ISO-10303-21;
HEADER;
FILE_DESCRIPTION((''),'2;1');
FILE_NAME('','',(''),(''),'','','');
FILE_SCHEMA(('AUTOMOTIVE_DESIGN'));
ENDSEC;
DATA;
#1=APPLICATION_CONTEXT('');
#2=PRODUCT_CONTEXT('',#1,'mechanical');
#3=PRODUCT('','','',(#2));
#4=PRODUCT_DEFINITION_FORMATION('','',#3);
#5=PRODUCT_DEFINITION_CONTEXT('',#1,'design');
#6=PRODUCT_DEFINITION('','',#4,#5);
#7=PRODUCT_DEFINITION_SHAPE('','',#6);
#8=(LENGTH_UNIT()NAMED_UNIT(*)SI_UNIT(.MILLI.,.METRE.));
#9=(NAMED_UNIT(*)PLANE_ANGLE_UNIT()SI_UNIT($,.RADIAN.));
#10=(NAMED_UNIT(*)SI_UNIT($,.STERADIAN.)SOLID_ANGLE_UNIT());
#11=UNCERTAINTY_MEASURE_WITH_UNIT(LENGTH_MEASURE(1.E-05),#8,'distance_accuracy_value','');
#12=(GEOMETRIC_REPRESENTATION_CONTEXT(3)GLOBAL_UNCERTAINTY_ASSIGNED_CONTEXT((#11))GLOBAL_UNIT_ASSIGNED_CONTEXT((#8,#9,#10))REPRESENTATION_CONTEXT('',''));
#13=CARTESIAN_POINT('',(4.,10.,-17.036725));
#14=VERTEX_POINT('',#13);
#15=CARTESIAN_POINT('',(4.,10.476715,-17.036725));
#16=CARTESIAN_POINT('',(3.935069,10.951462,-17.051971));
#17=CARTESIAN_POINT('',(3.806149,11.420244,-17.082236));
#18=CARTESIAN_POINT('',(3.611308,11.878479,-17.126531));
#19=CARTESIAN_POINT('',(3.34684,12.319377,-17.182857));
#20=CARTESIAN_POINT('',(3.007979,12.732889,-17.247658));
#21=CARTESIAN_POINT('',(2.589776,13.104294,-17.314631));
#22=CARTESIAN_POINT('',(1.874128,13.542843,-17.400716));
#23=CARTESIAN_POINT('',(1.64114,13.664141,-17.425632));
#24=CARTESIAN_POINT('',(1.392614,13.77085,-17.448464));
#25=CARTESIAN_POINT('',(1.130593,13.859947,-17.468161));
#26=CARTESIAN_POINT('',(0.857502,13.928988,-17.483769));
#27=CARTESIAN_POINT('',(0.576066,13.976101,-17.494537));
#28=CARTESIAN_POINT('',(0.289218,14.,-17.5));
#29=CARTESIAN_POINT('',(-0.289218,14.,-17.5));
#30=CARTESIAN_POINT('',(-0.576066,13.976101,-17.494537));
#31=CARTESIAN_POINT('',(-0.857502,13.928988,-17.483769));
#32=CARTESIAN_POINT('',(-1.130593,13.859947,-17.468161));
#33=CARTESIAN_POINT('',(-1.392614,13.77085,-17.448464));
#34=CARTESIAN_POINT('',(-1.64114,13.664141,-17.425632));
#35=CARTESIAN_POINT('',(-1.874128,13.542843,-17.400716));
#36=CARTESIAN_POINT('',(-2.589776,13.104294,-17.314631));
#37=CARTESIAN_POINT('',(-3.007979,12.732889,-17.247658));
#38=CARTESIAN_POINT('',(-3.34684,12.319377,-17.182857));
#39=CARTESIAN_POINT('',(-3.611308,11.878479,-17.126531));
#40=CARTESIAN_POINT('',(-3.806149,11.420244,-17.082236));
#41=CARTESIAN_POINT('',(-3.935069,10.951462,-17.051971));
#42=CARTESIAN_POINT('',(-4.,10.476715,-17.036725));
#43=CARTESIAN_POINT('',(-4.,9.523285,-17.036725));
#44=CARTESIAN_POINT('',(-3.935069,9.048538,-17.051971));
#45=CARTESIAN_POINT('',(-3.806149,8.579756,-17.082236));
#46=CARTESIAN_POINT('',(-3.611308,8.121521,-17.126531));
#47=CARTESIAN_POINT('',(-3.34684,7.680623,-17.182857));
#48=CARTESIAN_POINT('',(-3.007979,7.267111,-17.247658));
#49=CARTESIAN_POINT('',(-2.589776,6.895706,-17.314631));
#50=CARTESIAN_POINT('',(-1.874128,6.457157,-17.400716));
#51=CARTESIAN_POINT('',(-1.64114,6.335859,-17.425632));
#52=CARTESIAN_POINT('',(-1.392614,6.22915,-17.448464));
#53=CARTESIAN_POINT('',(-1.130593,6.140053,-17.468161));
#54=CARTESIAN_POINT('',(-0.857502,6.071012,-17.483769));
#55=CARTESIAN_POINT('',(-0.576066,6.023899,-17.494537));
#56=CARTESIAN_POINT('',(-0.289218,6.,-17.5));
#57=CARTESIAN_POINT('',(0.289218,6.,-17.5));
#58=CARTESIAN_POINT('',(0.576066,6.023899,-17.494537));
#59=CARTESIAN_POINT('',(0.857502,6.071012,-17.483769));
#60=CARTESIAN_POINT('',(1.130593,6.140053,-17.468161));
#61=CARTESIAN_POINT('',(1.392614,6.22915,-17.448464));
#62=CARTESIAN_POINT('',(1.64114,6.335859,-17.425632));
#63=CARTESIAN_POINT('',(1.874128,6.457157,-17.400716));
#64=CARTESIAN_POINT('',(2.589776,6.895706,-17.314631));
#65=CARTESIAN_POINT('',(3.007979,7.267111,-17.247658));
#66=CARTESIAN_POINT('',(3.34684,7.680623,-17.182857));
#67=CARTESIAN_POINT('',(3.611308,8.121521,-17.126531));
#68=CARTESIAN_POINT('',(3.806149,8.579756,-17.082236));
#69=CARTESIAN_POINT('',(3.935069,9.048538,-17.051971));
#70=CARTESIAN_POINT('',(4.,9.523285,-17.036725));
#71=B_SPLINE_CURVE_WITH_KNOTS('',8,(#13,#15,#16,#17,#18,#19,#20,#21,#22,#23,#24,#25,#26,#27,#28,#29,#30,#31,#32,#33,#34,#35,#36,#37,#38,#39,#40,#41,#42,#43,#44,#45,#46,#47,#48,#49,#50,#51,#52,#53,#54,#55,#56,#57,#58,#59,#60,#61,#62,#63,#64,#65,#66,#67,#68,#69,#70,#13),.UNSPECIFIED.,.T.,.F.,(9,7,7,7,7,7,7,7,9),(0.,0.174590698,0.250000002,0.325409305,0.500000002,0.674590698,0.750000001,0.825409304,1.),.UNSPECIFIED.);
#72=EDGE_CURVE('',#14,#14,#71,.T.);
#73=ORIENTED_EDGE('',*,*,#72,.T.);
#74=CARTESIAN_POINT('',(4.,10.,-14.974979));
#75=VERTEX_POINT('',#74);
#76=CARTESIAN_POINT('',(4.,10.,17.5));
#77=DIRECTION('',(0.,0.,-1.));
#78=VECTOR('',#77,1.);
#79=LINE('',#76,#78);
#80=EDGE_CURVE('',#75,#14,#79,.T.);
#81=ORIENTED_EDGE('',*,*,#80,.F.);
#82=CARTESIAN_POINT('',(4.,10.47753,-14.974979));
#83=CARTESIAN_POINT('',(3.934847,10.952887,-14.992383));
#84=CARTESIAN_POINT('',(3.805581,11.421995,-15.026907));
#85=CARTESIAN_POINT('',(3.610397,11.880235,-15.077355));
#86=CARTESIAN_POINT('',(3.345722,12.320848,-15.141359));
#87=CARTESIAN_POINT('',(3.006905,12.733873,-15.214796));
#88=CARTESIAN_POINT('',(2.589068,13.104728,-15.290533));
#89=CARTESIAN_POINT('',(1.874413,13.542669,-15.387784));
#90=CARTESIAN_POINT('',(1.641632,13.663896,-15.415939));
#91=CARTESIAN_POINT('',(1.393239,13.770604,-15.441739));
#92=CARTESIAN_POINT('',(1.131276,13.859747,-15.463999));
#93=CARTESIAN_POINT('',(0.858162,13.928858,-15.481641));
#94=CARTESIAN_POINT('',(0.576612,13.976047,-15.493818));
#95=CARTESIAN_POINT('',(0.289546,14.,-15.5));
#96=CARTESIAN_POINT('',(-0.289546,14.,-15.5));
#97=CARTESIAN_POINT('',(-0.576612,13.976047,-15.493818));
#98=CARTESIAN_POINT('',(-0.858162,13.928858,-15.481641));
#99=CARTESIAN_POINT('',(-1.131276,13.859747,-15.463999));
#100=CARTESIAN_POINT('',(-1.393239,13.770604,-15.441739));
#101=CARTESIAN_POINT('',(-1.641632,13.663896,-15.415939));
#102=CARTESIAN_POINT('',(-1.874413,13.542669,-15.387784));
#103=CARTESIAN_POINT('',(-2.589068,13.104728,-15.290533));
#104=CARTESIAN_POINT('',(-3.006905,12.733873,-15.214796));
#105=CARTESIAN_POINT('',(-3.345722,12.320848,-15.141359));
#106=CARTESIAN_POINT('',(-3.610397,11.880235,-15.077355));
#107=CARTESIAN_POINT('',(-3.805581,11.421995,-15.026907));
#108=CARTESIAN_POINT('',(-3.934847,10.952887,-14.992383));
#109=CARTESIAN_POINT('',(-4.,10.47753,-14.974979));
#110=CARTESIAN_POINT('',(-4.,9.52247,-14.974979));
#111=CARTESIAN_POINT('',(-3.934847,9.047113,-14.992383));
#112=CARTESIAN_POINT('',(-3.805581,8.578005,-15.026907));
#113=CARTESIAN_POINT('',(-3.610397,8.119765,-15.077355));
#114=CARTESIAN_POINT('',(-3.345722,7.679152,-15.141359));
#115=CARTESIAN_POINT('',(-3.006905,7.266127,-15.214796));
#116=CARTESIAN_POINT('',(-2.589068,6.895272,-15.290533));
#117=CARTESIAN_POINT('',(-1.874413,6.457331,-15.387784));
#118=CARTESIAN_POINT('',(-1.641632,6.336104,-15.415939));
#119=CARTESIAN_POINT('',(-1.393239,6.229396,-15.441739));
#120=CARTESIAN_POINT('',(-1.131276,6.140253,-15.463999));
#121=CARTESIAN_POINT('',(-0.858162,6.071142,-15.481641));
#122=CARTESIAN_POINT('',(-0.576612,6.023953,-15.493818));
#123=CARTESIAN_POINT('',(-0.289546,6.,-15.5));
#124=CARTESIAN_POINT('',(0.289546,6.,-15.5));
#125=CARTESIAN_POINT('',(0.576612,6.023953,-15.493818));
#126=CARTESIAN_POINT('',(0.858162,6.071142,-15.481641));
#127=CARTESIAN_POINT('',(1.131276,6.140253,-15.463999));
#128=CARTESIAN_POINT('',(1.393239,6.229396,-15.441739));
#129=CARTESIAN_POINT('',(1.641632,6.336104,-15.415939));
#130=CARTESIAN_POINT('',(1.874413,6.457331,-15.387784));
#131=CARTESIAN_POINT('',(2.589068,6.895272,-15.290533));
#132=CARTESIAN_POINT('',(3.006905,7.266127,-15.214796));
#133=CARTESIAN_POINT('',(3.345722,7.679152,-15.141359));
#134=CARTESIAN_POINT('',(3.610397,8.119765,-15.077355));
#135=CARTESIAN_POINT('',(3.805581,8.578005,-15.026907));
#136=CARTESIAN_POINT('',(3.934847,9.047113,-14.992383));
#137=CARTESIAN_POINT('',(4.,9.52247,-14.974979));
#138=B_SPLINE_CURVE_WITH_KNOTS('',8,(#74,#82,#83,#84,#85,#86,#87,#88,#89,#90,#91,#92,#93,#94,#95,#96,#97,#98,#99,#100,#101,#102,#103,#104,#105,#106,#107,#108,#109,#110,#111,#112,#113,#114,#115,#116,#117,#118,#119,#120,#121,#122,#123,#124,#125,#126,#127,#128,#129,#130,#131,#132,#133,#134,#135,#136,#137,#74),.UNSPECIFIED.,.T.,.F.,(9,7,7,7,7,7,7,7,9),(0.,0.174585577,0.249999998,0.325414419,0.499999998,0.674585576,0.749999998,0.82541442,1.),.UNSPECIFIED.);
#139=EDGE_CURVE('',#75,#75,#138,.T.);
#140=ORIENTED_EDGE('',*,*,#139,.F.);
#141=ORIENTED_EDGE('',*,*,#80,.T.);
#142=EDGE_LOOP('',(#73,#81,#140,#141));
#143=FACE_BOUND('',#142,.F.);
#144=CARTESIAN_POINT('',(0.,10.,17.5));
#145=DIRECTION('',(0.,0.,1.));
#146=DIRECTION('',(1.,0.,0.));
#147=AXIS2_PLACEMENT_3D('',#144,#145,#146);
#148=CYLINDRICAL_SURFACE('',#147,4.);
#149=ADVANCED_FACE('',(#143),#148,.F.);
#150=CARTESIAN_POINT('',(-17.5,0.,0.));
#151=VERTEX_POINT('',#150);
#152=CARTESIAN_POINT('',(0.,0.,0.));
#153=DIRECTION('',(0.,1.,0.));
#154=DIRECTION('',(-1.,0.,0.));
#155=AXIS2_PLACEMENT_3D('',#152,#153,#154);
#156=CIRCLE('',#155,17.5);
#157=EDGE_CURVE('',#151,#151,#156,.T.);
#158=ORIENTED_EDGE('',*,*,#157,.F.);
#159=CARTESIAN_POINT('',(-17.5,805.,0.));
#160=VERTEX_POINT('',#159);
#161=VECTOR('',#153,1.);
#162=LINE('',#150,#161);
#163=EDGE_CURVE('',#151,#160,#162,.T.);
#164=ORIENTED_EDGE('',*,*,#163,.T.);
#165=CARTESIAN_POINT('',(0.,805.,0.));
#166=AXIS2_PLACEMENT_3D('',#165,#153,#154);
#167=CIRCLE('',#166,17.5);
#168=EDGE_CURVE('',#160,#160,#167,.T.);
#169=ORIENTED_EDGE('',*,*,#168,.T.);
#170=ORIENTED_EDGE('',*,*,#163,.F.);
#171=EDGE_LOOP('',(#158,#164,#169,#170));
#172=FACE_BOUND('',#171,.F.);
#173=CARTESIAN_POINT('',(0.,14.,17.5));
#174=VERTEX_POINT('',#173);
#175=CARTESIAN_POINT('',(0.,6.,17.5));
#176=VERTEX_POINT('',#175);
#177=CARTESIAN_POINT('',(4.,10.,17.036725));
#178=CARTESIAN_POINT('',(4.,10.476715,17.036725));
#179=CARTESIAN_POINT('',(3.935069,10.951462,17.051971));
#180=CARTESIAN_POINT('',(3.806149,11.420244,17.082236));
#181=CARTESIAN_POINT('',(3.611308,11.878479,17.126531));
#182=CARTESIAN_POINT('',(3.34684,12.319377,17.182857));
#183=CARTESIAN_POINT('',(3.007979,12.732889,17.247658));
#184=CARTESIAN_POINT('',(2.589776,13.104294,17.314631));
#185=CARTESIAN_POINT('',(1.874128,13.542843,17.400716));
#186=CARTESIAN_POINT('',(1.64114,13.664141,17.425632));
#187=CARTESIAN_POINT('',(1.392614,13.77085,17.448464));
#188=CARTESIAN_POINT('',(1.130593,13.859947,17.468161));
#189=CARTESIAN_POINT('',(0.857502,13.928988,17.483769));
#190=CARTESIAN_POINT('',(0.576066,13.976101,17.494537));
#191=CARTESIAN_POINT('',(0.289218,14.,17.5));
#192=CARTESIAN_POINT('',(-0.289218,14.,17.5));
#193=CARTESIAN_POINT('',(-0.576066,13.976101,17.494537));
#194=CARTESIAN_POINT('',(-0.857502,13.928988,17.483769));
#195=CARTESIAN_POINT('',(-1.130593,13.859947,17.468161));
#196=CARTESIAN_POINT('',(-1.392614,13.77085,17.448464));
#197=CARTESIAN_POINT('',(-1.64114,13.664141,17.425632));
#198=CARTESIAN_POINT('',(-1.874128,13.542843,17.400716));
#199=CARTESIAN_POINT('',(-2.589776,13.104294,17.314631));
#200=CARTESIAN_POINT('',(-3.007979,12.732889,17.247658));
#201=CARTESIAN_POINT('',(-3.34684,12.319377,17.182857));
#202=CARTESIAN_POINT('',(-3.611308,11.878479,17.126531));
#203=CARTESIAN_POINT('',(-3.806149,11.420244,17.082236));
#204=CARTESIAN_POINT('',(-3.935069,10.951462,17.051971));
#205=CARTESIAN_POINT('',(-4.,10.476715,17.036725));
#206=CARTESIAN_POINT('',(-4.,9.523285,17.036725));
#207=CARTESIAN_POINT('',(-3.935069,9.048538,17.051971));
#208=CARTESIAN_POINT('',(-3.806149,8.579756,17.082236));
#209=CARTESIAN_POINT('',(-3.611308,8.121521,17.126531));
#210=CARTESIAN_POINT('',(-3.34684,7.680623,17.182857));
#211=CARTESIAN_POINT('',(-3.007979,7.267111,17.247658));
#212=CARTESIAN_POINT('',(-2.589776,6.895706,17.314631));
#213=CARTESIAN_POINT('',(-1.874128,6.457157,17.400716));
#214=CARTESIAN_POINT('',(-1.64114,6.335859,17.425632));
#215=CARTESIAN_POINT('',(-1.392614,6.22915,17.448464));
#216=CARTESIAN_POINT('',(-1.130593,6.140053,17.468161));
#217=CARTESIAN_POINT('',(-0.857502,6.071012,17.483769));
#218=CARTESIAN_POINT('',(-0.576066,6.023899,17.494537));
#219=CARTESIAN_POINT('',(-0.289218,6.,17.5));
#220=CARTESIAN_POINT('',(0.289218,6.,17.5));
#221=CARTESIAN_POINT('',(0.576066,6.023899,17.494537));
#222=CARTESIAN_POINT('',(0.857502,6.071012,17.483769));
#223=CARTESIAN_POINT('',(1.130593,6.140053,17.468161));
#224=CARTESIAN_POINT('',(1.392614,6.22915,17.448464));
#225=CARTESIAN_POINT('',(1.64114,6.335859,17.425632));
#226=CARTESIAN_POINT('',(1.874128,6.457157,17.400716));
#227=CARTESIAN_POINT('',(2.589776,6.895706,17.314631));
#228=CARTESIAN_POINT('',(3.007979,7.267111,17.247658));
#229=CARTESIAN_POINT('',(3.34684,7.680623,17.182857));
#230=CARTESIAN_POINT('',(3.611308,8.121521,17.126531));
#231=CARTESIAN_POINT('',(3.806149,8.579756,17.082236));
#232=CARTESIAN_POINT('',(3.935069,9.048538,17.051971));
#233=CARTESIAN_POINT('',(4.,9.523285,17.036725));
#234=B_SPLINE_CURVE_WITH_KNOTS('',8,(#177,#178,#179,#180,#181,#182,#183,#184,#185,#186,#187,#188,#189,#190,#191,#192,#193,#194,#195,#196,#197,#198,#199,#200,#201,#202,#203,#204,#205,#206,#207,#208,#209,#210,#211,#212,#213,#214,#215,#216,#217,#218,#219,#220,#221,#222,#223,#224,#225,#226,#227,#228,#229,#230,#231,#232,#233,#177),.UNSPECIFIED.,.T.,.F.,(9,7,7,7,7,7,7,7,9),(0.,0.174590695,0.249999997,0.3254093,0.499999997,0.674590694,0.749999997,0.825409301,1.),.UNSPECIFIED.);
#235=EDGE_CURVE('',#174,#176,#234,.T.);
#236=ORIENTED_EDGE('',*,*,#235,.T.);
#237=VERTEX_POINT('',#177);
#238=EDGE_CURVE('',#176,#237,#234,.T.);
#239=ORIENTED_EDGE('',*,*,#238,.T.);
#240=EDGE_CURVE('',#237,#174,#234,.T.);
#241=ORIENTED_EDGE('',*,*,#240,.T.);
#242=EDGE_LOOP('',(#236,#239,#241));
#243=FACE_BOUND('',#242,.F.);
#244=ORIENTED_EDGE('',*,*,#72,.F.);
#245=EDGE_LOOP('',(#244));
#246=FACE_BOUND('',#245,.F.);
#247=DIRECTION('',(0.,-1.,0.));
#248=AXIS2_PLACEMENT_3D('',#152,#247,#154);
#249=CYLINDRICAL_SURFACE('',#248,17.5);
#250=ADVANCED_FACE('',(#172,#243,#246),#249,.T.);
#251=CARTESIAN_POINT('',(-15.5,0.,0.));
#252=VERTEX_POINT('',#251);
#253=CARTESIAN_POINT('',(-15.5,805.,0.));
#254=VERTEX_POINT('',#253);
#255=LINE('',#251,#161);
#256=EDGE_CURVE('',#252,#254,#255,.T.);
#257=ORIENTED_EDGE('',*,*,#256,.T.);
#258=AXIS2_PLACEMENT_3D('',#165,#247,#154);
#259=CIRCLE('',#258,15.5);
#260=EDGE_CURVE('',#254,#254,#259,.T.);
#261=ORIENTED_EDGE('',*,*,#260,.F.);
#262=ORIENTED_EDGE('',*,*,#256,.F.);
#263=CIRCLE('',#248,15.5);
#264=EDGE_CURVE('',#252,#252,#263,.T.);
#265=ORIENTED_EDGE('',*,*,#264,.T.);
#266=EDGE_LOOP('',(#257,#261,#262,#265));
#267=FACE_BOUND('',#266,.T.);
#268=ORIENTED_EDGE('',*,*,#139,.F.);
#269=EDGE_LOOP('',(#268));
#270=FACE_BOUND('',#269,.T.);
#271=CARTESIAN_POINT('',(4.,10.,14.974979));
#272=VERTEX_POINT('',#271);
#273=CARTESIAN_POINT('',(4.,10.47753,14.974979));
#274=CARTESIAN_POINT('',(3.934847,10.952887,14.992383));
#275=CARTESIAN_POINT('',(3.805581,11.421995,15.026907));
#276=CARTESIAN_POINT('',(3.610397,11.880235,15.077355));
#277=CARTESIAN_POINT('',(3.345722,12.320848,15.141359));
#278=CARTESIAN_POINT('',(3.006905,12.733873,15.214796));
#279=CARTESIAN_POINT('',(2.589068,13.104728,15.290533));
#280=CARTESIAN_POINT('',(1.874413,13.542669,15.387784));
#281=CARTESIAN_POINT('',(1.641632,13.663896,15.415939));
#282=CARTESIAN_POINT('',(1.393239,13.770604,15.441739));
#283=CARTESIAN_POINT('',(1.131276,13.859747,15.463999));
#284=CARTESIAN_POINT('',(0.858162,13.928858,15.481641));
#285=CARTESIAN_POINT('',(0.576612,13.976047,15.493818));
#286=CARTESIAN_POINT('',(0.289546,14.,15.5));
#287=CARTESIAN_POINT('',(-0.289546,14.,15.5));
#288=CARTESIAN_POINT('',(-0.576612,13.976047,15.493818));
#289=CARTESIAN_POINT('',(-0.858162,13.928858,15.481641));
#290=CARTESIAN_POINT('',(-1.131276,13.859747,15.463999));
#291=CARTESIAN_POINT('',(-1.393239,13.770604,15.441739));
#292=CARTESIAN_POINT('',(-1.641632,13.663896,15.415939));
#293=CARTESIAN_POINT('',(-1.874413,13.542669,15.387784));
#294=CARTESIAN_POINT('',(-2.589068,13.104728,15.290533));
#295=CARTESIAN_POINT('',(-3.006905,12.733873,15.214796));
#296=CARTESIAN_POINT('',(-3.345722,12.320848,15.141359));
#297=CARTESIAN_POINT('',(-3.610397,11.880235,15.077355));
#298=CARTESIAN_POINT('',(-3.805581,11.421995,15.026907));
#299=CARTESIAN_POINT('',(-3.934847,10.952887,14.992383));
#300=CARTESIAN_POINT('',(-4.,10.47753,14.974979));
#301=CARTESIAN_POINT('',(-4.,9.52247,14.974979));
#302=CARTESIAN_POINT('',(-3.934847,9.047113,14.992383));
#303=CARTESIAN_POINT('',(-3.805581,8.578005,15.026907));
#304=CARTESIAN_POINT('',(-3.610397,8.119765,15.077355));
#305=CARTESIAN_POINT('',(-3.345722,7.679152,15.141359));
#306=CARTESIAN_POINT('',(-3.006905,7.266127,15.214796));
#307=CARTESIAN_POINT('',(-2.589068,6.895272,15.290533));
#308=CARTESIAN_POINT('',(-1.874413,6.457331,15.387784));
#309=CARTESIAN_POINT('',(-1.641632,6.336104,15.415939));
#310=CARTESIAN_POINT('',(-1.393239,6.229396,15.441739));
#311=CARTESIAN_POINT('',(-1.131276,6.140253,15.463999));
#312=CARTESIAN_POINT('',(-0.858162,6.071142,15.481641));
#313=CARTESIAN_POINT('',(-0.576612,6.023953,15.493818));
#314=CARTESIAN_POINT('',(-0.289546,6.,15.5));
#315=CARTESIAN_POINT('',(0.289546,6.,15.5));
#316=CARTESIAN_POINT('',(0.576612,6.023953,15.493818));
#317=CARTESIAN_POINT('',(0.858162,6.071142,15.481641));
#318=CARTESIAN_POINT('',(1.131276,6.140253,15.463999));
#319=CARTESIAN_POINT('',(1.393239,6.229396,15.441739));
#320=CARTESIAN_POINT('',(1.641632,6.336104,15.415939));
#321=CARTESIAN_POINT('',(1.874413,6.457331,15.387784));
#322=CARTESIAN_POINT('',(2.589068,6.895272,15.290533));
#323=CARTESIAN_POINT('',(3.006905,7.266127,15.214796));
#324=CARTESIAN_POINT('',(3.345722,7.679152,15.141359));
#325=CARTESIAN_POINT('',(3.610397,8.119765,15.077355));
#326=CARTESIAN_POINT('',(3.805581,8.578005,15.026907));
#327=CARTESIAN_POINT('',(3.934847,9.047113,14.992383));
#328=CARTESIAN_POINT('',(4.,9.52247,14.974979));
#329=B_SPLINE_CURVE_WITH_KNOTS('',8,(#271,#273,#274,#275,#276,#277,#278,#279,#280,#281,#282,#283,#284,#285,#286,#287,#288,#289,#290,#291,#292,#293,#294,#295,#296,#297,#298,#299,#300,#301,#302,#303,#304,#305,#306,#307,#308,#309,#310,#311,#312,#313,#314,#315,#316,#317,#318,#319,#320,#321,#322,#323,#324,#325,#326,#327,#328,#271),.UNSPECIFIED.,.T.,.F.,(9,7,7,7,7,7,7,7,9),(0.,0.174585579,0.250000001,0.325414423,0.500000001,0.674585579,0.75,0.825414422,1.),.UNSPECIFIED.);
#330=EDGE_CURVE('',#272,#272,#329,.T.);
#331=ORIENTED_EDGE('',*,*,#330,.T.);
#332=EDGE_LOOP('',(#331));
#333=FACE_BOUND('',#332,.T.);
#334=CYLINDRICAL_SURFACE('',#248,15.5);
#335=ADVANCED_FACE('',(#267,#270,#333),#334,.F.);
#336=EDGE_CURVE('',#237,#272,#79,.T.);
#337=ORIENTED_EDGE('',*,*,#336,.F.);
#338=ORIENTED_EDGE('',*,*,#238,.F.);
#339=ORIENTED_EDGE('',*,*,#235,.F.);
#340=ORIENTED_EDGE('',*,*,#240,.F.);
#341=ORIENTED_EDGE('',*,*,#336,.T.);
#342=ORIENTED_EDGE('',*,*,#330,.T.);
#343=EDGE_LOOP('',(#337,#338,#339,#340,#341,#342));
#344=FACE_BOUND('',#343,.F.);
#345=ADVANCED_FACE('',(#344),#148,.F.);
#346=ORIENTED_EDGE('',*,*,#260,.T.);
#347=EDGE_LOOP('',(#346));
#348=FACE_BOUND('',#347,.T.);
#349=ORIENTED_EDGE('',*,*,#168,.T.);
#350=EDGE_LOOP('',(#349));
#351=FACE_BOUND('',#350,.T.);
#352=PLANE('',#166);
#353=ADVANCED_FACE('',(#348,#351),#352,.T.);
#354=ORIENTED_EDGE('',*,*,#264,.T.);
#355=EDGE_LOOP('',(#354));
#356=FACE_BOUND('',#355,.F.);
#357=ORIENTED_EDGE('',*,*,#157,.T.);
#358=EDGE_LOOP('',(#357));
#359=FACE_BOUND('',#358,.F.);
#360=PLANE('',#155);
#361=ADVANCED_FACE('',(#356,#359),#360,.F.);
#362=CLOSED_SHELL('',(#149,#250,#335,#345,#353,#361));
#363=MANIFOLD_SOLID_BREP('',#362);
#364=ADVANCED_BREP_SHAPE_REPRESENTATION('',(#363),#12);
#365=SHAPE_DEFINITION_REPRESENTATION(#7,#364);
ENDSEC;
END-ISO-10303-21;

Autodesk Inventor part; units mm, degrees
ref_plane "YZ Plane" through (0, 0, 0) normal (1, 0, 0) x (0, 1, 0)
ref_plane "XZ Plane" through (0, 0, 0) normal (0, 1, 0) x (-1, 0, 0)
sketch "Boceto1" plane through (0, 0, 0) normal (0, 1, 0) x (-1, 0, 0)
  circle A0 centre (0, 0) radius 17.5
  dimension "d0" = 35
extrude "Extrusión1" add sketch "Boceto1" along normal blind 805
shell "Vaciado1" thickness 2 removed faces 2 at (-4.3663, 0, -1.0762) at (-4.3663, 805, -1.0762)
ref_plane "Plano de trabajo1" through (0, 0, 17.5) normal (0, 0, 1) x (1, 0, 0)
sketch "Boceto2" plane through (0, 0, 17.5) normal (0, 0, 1) x (1, 0, 0)
  line L0 (0, 81.1949) -> (0, -92.1127) construction
  line L1 (-146.6766, 0) -> (158.2781, 0) construction
  circle A0 centre (0, 10) radius 4
  point P0 (0, 0)
  dimension "d5" = 8
  dimension "d6" = 10
extrude "Extrusión2" cut sketch "Boceto2" against normal blind 50
